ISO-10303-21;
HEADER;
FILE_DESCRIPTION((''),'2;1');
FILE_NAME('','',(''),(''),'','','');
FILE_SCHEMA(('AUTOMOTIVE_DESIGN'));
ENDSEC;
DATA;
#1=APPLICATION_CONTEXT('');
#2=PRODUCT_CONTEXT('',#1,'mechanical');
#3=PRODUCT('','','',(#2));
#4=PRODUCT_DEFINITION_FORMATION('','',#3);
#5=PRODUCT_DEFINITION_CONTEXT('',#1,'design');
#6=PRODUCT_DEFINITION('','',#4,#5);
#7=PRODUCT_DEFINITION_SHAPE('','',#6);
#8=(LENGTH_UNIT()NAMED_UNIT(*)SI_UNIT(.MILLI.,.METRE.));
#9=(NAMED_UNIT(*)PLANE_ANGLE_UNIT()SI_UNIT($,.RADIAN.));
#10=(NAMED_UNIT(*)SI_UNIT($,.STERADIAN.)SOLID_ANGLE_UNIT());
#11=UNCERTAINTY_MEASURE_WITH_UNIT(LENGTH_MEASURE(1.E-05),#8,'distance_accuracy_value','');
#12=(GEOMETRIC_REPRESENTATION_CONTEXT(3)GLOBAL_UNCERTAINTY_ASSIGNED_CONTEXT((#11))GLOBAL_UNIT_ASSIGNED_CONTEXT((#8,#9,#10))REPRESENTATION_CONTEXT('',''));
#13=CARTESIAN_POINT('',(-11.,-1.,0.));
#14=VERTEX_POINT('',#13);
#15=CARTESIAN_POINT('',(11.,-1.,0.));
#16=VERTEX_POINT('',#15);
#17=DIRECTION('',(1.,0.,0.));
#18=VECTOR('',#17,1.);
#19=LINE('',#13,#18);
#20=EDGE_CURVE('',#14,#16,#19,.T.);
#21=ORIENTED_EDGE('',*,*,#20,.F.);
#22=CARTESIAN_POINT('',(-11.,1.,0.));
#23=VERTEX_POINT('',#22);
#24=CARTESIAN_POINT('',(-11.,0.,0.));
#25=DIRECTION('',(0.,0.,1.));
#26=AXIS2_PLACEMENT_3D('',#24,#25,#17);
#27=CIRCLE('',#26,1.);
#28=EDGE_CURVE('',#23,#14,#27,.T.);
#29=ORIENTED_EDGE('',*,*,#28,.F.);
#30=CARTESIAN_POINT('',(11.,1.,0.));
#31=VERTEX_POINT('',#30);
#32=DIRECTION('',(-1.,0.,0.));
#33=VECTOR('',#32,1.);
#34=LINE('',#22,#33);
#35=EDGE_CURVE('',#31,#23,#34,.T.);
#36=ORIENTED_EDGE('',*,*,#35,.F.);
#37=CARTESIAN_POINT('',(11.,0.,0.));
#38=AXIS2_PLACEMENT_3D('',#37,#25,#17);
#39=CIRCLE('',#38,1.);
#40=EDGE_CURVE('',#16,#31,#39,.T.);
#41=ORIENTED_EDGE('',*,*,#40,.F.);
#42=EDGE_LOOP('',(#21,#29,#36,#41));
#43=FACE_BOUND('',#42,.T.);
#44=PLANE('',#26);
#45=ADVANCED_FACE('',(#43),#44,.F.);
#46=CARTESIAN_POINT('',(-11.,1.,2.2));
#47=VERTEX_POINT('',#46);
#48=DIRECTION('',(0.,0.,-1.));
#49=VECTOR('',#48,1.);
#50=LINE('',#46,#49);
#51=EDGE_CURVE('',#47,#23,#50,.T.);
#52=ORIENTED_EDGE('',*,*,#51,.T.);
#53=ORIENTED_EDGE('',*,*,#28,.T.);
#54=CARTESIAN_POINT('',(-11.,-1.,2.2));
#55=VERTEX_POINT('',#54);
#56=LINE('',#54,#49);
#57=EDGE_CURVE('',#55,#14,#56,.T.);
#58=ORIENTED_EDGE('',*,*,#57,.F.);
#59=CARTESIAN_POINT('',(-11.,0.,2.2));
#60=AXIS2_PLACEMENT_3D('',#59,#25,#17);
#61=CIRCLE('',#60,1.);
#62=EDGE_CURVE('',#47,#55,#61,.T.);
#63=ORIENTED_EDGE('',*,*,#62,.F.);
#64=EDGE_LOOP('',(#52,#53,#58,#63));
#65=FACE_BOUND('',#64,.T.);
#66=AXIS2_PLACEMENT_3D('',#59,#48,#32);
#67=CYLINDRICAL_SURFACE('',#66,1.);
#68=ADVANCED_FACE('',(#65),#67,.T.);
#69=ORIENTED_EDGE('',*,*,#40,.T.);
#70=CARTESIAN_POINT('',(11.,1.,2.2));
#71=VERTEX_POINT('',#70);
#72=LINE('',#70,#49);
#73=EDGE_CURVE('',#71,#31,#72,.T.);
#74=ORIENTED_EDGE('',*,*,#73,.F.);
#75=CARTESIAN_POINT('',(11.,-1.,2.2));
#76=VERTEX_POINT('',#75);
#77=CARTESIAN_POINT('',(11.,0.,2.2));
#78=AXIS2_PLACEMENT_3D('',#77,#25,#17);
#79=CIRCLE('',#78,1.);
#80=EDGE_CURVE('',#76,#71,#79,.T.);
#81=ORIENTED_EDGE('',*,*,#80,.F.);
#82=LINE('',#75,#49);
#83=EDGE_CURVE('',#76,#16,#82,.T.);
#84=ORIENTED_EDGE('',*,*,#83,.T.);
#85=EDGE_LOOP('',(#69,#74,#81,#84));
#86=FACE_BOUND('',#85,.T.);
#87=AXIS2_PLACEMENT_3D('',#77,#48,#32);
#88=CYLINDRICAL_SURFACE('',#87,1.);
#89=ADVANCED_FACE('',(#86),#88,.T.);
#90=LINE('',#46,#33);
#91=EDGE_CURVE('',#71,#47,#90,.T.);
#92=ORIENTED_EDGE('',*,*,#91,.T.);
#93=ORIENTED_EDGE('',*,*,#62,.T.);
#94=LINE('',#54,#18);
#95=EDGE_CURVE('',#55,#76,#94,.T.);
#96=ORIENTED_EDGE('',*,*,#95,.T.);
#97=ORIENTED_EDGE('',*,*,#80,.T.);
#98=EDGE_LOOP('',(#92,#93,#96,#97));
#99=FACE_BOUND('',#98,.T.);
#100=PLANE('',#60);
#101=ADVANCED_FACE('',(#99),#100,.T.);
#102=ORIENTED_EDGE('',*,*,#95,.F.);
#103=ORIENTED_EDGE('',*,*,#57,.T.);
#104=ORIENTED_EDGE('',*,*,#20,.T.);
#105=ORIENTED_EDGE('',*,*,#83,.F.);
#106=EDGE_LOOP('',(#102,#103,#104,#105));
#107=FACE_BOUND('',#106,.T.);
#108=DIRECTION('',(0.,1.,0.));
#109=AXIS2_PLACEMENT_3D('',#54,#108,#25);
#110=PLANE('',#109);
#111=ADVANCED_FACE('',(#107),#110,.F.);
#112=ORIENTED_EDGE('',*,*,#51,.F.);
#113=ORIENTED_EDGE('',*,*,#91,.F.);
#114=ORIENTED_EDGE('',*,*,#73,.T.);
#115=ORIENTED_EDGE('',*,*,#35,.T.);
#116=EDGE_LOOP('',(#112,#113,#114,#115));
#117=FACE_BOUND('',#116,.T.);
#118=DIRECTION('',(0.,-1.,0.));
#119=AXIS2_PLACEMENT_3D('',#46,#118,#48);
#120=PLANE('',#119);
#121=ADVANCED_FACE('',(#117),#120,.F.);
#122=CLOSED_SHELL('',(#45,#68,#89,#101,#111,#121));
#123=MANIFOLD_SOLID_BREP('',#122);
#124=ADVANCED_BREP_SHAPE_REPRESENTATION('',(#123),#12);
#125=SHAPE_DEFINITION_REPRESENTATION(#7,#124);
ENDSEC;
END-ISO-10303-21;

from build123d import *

# Parameters (mm, degrees)
BOSS_EXTRUDE1_DEPTH = 2.2


with BuildPart() as part:
    # Sketch1 → Boss-Extrude1 (new body)
    with BuildSketch(Plane.XY):
        with BuildLine():
            Line((-11, 1), (11, 1))
            ThreePointArc((11, 1), (12, 0), (11, -1))
            Line((11, -1), (-11, -1))
            ThreePointArc((-11, -1), (-12, 0), (-11, 1))
        make_face()
    extrude(amount=BOSS_EXTRUDE1_DEPTH)


solid = part.part
